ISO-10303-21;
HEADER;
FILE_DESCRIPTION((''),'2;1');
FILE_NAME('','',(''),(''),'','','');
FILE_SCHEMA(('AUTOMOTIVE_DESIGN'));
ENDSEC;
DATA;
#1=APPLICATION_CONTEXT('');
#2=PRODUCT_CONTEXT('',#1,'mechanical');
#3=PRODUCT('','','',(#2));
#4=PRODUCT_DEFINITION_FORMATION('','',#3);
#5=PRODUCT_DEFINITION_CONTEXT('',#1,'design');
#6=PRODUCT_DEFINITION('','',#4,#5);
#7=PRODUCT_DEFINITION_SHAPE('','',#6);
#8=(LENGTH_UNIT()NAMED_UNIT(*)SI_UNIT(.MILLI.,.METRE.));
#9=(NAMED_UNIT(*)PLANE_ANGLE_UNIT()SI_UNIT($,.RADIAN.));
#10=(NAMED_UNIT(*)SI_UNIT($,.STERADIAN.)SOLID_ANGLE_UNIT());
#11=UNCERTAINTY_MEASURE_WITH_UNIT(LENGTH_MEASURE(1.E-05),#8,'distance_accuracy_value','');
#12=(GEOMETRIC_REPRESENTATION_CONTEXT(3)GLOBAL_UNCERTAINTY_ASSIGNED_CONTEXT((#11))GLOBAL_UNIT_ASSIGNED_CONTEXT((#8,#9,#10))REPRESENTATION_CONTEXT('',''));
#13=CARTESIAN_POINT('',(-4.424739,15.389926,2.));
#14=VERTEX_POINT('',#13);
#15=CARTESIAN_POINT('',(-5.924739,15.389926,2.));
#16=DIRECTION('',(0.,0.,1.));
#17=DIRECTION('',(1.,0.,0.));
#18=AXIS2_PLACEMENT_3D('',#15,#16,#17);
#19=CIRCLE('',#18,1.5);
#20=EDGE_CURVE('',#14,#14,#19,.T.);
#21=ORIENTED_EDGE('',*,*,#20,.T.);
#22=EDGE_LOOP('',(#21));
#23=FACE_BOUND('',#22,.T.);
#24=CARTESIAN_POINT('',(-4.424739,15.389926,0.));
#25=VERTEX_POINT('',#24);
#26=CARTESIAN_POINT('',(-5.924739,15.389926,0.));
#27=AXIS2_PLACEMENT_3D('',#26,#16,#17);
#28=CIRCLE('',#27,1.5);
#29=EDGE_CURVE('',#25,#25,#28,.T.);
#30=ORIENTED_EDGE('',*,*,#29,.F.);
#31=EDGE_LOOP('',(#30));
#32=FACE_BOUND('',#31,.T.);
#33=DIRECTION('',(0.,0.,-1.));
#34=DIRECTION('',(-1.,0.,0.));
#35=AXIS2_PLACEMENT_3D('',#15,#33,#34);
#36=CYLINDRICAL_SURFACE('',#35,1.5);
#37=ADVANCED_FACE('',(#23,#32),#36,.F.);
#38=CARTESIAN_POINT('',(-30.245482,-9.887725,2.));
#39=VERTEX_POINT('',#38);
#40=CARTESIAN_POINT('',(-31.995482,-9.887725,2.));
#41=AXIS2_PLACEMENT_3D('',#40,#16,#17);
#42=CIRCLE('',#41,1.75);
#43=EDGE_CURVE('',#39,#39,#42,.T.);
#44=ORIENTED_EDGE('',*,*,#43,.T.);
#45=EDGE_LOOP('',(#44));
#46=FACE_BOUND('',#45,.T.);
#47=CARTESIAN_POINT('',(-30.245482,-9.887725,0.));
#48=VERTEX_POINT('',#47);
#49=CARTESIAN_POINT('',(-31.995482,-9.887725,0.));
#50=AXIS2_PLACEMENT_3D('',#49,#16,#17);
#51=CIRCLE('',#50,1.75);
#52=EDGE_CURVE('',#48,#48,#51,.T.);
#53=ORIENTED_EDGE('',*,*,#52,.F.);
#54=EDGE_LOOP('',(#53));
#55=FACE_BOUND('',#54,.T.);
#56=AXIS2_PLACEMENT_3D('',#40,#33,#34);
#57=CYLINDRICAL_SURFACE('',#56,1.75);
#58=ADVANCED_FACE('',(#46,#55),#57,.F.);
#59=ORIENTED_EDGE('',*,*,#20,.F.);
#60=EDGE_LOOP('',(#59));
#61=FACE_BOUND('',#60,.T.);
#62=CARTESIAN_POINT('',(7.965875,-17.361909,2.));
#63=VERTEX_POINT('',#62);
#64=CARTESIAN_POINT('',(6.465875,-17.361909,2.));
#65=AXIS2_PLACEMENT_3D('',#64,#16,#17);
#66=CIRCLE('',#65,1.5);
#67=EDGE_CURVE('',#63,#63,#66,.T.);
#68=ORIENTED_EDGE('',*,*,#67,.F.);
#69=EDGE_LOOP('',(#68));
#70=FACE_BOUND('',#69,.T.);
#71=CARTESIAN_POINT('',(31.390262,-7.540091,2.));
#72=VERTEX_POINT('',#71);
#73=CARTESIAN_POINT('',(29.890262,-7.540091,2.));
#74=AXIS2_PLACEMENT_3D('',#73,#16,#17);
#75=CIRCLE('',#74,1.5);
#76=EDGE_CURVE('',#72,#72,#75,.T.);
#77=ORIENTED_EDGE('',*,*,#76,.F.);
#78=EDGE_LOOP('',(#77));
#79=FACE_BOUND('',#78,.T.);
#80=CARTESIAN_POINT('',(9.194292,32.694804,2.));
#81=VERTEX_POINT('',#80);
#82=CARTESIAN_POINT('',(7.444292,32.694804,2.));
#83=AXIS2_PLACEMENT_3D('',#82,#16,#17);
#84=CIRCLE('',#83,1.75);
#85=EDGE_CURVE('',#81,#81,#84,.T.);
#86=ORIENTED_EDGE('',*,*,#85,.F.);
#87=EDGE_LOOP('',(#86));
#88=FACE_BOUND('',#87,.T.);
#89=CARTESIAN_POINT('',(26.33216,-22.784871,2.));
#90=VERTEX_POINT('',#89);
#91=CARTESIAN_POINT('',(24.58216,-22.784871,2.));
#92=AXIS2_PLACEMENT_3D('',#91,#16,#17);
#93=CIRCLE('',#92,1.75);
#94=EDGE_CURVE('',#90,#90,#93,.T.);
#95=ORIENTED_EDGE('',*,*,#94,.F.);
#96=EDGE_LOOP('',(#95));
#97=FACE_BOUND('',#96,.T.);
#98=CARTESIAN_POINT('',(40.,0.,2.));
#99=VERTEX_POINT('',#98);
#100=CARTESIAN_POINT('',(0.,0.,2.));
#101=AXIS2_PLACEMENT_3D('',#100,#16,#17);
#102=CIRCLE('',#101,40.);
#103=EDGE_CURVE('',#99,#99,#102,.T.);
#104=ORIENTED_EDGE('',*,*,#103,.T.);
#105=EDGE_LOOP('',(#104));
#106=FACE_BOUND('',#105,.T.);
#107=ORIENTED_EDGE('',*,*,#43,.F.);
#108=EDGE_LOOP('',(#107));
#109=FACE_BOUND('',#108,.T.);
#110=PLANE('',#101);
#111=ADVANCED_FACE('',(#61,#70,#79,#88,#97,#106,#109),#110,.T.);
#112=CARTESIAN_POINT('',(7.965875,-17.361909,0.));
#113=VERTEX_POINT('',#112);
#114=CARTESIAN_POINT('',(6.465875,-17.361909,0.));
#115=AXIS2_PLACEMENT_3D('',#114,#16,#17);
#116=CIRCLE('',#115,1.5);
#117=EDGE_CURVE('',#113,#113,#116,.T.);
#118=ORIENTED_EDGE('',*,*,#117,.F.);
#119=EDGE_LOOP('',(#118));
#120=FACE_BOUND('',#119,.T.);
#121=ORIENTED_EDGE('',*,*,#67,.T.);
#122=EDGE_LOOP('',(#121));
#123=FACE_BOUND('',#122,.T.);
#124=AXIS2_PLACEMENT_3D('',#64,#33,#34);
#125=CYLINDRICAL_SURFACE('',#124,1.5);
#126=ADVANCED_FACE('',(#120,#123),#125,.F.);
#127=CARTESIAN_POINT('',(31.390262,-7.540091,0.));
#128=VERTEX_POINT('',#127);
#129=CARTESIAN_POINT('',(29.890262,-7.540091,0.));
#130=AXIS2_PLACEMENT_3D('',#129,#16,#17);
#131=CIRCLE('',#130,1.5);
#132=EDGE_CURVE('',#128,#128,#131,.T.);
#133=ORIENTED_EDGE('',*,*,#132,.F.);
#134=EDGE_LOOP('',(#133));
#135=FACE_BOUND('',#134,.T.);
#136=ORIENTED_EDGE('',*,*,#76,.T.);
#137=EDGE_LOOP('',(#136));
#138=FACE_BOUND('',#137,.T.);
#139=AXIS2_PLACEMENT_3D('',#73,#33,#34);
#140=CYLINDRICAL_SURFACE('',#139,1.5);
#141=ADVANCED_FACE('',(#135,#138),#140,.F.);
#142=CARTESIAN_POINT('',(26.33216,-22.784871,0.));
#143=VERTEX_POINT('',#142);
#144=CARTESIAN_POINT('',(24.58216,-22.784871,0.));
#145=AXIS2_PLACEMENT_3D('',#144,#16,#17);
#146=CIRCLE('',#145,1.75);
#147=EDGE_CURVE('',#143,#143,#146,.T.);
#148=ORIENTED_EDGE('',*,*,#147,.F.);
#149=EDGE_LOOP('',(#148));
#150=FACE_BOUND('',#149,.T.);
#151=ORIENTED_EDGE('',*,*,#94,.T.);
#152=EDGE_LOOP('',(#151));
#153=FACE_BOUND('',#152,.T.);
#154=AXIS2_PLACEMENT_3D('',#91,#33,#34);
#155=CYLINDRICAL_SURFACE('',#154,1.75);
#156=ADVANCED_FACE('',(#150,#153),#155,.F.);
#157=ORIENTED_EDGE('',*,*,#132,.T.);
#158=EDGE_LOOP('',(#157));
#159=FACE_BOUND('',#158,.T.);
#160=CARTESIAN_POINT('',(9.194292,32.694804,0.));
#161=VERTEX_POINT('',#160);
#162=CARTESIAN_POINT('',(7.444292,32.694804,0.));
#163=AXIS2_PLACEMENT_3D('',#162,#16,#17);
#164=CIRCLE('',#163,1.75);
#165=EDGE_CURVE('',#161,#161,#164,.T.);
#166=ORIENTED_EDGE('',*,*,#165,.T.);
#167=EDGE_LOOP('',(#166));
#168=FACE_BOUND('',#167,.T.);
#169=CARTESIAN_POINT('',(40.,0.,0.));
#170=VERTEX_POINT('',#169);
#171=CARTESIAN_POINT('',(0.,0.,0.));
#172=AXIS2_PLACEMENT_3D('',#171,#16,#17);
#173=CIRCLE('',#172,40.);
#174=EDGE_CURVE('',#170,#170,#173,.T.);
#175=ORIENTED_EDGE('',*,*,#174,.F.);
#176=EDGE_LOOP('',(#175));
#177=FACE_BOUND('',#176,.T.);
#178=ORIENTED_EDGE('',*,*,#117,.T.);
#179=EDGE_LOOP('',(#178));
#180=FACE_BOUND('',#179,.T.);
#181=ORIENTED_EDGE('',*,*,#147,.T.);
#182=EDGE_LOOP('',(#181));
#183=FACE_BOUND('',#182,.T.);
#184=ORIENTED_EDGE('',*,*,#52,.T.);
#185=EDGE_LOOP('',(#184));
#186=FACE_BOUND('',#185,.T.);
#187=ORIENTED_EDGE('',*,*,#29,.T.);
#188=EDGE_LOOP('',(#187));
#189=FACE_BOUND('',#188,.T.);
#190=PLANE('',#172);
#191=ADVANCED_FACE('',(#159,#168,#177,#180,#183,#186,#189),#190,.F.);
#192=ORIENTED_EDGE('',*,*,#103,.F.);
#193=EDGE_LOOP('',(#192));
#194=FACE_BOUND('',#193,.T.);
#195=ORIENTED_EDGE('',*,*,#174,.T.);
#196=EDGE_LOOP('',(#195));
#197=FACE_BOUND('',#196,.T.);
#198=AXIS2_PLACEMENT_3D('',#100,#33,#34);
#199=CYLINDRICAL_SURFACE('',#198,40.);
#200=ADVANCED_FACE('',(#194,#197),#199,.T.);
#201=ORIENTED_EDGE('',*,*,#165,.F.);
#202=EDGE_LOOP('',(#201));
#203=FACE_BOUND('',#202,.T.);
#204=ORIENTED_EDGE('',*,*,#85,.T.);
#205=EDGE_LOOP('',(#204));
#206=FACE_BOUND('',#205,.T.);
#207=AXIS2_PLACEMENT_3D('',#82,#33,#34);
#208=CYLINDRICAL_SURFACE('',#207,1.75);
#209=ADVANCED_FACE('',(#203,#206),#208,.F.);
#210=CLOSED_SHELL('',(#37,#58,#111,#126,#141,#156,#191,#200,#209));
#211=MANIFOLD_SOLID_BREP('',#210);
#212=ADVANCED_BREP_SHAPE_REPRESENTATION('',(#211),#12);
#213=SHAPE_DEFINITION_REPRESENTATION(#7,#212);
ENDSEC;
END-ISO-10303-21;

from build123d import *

# Parameters (mm, degrees)
SKETCH1_R           = 40
SKETCH1_R_2         = 1.75
SKETCH1_R_3         = 1.5
BOSS_EXTRUDE1_DEPTH = 2


with BuildPart() as part:
    # Sketch1 → Boss-Extrude1 (new body)
    with BuildSketch(Plane.XY):
        Circle(SKETCH1_R)
        with Locations((-31.995482401, -9.887725266)):
            Circle(SKETCH1_R_2, mode=Mode.SUBTRACT)
        with Locations((24.582160224, -22.784871224)):
            Circle(SKETCH1_R_2, mode=Mode.SUBTRACT)
        with Locations((7.444292234, 32.694804063)):
            Circle(SKETCH1_R_2, mode=Mode.SUBTRACT)
        with Locations((-5.924739338, 15.389926074)):
            Circle(SKETCH1_R_3, mode=Mode.SUBTRACT)
        with Locations((29.890261962, -7.540090975)):
            Circle(SKETCH1_R_3, mode=Mode.SUBTRACT)
        with Locations((6.465875121, -17.361908582)):
            Circle(SKETCH1_R_3, mode=Mode.SUBTRACT)
    extrude(amount=BOSS_EXTRUDE1_DEPTH)


solid = part.part
